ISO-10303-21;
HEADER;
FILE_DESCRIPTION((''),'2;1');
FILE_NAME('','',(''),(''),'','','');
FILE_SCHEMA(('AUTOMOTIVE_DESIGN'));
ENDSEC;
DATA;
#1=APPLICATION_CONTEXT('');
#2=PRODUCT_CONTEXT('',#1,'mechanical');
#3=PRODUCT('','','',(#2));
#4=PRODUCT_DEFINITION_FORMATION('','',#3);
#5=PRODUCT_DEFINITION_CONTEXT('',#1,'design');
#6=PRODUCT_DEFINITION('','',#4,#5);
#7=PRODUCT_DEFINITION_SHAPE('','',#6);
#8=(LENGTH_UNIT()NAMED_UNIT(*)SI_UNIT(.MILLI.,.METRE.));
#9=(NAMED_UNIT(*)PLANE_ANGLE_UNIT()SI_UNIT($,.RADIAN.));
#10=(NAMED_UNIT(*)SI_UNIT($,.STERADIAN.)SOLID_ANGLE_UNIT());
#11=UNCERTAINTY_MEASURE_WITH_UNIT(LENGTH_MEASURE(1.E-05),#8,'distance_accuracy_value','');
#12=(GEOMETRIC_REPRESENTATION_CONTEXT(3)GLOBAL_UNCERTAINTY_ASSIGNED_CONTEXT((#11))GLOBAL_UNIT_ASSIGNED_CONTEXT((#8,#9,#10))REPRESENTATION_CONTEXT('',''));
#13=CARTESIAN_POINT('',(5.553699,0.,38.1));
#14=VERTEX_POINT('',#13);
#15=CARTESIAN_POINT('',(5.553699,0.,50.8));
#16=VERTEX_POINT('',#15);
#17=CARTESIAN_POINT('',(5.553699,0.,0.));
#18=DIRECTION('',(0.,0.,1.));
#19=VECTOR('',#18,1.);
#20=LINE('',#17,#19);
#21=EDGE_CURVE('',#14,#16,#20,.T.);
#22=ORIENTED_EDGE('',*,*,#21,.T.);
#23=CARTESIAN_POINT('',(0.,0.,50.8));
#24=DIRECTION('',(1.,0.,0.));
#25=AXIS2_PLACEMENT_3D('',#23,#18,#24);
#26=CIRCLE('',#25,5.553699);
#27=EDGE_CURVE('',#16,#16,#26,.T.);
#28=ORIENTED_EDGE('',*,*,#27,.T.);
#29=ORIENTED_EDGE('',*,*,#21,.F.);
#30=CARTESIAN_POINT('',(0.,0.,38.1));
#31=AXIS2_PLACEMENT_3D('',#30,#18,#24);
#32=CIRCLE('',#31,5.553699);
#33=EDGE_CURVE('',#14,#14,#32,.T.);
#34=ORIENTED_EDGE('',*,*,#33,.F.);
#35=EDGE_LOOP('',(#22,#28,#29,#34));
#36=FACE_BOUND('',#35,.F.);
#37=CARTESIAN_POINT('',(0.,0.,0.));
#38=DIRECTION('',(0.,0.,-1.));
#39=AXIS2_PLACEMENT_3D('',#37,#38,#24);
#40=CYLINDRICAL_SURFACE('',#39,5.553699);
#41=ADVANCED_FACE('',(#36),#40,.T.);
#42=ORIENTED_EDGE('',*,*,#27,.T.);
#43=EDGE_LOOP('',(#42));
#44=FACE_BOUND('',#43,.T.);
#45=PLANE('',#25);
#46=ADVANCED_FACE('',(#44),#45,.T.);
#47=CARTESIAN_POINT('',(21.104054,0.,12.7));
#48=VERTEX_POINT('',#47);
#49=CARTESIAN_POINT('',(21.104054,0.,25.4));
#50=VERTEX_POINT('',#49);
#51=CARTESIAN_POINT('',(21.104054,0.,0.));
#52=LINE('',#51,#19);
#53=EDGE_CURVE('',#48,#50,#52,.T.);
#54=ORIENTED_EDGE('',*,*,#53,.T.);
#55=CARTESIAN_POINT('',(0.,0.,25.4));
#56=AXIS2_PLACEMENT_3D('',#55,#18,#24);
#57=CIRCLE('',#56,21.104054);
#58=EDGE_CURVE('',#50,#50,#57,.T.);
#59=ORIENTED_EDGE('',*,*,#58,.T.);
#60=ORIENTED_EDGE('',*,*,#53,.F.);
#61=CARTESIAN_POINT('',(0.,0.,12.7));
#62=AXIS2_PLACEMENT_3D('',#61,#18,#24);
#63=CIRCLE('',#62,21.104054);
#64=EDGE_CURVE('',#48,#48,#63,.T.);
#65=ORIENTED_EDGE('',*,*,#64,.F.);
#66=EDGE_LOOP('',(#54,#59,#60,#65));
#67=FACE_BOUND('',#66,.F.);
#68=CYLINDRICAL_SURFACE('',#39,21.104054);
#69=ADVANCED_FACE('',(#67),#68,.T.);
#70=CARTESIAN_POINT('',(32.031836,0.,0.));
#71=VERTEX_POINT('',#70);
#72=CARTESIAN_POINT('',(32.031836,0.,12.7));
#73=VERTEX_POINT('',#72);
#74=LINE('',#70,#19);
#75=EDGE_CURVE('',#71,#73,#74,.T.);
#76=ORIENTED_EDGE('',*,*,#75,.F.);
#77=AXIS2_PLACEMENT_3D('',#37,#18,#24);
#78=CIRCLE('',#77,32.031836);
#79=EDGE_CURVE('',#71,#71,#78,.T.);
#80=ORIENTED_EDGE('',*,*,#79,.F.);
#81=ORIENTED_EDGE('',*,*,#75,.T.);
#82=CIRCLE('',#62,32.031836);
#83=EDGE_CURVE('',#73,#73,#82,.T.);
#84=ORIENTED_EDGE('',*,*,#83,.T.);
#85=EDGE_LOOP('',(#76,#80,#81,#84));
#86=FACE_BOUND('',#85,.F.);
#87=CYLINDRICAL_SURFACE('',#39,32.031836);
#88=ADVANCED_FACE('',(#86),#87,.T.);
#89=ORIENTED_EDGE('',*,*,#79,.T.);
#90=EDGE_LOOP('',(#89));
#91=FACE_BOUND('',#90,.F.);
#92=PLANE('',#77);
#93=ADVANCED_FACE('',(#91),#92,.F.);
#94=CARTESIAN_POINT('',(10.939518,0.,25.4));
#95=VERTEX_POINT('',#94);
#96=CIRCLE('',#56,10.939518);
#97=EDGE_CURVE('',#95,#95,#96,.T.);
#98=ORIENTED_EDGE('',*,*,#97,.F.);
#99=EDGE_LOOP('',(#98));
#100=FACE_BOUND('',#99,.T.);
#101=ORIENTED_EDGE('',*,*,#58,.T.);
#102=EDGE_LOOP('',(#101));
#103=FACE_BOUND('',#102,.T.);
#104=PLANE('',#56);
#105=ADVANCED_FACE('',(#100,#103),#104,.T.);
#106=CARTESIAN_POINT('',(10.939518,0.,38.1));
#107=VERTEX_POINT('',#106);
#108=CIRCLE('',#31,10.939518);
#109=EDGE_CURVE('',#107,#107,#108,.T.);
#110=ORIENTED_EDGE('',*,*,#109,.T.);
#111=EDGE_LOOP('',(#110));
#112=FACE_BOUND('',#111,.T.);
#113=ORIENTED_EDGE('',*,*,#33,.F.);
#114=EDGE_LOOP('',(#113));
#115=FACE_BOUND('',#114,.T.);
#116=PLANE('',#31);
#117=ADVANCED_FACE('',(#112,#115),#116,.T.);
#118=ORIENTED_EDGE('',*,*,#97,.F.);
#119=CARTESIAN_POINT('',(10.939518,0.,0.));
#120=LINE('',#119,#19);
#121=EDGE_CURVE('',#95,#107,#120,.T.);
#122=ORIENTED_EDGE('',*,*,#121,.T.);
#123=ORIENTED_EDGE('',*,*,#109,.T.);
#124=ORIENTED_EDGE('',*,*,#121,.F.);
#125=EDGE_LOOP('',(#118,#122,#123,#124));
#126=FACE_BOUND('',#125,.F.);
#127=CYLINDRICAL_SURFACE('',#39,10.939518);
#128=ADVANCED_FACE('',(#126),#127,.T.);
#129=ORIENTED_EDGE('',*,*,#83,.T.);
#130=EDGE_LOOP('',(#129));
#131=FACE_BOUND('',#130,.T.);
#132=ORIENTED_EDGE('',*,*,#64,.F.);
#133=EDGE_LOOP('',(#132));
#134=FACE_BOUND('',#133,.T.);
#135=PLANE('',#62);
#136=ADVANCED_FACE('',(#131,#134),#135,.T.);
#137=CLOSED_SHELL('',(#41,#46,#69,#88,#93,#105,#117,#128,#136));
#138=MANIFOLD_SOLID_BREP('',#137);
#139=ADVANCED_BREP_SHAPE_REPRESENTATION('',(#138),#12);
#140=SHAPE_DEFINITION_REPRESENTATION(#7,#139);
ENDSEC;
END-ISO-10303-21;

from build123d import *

# Parameters (mm, degrees)
F0_R     = 32.031836
F0_R_2   = 21.104054
F1_DEPTH = 12.7
F0_R_3   = 10.939518
F2_DEPTH = 25.4
F0_R_4   = 5.553699
F3_DEPTH = 38.1
F4_DEPTH = 50.8


with BuildPart() as f1:
    # F0 (on Top) → F1 (new body)
    with BuildSketch(Plane.XY):
        Circle(F0_R)
        Circle(F0_R_2, mode=Mode.SUBTRACT)
    extrude(amount=F1_DEPTH)

    # F0 (on Top) → F2 (join)
    with BuildSketch(Plane.XY):
        Circle(F0_R_2)
        Circle(F0_R_3, mode=Mode.SUBTRACT)
    extrude(amount=F2_DEPTH)

    # F0 (on Top) → F3 (join)
    with BuildSketch(Plane.XY):
        Circle(F0_R_3)
        Circle(F0_R_4, mode=Mode.SUBTRACT)
    extrude(amount=F3_DEPTH)

    # F0 (on Top) → F4 (join)
    with BuildSketch(Plane.XY):
        Circle(F0_R_4)
    extrude(amount=F4_DEPTH)


solid = f1.part
